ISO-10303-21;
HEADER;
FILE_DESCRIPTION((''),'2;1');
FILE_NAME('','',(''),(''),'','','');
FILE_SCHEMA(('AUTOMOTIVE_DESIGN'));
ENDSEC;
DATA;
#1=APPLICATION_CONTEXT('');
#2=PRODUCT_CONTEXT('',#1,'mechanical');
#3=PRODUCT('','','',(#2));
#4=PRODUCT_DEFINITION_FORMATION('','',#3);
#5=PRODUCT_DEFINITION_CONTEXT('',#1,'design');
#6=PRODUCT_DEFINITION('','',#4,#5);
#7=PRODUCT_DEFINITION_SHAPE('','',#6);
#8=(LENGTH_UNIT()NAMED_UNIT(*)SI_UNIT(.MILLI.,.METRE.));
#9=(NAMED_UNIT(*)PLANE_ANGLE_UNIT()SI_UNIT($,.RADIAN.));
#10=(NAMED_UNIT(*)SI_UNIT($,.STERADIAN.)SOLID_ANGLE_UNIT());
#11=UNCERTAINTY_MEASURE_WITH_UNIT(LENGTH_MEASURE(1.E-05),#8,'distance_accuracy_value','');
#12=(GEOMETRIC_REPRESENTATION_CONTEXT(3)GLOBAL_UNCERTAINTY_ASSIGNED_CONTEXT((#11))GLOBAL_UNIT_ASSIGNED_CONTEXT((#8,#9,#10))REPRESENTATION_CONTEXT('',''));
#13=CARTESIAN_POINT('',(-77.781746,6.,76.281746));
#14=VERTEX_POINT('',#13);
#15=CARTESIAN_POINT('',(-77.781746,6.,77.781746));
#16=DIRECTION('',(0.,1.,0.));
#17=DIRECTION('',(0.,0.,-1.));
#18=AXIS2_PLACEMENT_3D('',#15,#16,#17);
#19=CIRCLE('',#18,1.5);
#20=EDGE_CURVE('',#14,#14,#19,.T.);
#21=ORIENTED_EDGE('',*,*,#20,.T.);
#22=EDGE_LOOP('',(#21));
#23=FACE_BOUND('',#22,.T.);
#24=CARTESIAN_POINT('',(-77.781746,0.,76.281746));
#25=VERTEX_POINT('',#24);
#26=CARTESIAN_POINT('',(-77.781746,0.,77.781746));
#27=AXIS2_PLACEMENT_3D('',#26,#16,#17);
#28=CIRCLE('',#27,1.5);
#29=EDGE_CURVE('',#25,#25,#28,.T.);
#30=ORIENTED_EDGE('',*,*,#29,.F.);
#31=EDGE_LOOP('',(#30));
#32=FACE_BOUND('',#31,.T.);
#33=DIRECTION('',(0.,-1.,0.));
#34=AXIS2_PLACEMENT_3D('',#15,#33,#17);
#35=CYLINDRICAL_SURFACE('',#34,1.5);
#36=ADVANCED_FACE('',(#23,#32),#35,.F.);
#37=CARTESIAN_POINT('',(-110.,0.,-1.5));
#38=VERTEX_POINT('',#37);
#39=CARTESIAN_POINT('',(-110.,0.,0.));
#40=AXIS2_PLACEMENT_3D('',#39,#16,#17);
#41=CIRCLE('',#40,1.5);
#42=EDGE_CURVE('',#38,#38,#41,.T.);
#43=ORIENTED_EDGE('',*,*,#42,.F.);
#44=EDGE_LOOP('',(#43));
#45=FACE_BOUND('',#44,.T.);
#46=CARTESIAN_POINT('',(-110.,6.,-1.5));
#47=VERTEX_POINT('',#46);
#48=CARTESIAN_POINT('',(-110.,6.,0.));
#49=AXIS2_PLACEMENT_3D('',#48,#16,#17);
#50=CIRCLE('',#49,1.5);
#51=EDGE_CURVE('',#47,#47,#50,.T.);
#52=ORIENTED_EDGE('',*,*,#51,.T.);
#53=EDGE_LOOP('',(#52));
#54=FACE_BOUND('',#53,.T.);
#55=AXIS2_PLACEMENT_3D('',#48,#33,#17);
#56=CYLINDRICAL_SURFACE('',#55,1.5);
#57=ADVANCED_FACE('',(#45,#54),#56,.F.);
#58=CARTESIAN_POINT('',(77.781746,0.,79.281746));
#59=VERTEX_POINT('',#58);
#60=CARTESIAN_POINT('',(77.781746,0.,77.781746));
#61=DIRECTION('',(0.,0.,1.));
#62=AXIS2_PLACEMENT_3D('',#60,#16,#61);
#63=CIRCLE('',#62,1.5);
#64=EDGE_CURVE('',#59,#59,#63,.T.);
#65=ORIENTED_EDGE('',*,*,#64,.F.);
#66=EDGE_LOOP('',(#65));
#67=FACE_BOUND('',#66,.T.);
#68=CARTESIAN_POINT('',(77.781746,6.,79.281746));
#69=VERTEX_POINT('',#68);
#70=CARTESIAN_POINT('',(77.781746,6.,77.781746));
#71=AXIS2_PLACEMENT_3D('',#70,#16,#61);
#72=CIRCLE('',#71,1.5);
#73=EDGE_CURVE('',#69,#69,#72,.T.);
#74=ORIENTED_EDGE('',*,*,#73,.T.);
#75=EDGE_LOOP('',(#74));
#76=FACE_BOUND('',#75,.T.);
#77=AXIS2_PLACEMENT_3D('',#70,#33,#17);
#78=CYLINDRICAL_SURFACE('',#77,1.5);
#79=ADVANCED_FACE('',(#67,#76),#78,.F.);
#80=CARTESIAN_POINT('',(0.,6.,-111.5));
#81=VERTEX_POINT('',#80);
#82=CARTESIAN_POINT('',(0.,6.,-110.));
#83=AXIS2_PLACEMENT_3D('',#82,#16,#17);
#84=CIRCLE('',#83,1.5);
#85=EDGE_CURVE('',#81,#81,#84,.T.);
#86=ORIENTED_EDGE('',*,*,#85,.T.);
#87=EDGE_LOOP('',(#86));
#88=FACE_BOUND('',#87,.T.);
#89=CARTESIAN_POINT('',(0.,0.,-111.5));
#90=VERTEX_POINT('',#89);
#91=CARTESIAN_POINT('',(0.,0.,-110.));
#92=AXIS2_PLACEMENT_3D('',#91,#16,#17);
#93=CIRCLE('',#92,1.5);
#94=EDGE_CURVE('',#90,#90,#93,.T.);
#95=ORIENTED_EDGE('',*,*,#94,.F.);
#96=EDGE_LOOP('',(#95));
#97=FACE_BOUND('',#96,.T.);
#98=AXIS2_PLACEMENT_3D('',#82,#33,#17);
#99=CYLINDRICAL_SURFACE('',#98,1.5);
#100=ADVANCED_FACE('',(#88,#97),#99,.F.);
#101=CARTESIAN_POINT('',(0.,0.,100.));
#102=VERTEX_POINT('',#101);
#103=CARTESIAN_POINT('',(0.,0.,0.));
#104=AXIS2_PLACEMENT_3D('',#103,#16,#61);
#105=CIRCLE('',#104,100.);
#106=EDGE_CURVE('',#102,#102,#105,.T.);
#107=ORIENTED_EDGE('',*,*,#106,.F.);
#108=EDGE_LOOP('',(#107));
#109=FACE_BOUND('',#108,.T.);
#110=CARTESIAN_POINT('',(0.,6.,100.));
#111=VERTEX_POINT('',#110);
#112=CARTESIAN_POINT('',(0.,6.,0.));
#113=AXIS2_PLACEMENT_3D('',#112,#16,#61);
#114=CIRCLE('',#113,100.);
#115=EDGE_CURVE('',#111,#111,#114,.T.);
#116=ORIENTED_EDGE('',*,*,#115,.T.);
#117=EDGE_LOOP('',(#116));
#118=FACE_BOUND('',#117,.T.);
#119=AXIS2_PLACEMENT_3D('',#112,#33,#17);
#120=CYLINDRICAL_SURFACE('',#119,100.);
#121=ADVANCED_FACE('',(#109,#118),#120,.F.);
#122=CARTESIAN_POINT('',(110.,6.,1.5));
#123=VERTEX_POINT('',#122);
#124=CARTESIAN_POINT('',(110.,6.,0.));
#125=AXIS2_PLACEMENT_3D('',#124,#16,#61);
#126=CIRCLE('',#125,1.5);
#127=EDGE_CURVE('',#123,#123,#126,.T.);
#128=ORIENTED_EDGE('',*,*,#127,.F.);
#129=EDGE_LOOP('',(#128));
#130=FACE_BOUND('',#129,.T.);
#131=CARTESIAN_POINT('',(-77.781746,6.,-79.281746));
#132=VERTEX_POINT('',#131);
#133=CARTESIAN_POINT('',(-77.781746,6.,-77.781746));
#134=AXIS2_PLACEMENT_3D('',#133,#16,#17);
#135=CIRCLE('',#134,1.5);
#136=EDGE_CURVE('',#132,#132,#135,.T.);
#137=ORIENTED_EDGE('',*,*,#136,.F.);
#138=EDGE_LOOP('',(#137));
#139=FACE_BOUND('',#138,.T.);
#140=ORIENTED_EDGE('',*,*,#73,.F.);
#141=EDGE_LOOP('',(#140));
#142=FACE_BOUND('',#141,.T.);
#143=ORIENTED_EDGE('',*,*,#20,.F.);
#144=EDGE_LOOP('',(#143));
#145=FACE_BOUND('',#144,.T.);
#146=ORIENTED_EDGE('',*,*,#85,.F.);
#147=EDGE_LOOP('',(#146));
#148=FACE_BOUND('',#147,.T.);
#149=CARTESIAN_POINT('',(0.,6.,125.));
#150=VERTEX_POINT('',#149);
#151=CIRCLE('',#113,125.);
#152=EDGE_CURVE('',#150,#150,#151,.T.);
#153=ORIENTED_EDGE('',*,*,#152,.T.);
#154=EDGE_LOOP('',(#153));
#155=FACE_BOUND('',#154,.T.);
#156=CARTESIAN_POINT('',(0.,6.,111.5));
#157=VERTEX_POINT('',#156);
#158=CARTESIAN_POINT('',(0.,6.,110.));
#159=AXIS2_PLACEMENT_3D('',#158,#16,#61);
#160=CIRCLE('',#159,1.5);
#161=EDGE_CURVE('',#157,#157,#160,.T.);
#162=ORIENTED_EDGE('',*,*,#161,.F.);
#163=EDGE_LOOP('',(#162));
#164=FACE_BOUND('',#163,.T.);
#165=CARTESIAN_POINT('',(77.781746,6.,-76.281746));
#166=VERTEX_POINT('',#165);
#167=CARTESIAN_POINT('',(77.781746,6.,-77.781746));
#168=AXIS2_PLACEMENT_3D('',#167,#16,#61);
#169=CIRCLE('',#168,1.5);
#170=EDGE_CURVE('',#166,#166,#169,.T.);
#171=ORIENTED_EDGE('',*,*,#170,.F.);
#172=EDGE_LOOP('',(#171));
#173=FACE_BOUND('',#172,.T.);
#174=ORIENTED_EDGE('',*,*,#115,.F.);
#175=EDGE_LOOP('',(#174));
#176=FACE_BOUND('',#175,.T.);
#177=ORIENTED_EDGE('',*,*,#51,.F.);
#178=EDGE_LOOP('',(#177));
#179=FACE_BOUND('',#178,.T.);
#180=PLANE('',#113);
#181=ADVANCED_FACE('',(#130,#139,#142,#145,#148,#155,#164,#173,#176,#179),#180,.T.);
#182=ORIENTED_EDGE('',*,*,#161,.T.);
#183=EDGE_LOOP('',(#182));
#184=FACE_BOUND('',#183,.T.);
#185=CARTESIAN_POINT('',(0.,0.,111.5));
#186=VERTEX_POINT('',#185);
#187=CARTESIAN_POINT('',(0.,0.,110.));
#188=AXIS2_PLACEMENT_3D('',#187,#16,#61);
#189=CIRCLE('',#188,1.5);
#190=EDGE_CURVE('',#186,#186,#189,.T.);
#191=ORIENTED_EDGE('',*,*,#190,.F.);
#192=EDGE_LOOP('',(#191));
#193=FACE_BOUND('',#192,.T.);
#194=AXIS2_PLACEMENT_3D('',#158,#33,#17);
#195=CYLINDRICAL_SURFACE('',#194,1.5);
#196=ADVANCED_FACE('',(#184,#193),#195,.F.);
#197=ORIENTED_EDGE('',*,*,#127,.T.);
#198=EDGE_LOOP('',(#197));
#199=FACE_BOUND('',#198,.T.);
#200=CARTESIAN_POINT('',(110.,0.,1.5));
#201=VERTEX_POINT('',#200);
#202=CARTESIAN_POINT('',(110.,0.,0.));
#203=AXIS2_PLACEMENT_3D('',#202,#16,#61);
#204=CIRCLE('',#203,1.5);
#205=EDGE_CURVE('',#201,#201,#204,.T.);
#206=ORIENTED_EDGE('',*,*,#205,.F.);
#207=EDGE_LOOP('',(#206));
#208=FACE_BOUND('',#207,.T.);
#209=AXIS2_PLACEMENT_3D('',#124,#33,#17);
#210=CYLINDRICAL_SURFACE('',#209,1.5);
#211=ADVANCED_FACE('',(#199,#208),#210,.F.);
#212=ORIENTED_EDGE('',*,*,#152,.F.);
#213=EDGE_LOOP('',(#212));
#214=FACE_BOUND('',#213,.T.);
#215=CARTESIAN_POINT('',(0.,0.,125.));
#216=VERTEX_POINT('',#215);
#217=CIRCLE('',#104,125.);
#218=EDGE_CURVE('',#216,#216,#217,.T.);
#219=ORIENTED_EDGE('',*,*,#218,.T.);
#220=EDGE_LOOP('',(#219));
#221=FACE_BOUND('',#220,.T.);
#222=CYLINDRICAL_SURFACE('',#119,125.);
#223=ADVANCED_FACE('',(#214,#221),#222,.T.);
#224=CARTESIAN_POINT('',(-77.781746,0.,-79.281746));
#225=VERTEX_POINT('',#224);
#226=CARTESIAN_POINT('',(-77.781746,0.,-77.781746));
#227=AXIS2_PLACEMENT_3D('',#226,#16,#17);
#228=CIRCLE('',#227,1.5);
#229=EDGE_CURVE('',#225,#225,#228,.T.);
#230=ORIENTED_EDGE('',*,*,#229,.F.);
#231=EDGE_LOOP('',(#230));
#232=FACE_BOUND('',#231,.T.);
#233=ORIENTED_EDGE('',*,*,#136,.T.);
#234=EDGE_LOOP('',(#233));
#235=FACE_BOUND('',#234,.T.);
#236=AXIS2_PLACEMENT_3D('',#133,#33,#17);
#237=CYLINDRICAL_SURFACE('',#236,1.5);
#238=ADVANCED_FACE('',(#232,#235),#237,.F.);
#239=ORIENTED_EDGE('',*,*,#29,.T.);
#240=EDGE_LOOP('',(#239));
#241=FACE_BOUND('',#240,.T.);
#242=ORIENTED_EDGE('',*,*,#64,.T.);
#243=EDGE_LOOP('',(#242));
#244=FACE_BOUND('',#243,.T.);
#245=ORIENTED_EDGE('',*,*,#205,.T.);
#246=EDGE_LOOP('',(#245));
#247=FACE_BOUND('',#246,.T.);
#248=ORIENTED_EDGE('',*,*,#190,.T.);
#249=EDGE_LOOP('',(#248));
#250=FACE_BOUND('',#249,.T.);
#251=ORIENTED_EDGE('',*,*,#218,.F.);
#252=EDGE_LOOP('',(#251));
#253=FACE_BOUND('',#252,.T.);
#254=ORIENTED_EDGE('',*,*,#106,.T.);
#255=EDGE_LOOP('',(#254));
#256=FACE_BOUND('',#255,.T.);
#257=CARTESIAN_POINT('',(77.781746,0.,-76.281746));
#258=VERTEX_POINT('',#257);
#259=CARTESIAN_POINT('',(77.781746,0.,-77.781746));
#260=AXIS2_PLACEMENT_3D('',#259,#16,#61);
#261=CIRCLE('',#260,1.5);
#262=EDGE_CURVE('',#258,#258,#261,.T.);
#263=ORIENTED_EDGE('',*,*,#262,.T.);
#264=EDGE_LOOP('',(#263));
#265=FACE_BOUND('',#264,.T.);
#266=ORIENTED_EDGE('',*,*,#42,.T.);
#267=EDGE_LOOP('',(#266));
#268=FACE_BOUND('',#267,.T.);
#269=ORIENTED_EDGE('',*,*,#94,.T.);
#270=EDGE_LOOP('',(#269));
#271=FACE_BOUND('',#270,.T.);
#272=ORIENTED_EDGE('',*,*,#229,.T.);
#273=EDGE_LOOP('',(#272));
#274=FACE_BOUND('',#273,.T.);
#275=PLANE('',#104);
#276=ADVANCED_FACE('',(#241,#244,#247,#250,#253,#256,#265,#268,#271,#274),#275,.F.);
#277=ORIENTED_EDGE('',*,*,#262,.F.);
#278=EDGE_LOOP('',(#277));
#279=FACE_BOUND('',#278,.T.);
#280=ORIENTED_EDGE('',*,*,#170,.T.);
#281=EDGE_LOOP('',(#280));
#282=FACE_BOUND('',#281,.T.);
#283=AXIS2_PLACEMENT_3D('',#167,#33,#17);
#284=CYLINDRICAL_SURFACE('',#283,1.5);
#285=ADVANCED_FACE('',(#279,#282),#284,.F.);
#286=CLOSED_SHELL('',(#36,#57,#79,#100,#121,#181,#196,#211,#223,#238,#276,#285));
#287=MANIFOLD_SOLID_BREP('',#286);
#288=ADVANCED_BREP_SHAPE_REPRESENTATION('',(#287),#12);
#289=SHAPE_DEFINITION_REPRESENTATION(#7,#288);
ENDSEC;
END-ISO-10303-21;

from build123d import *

# Parameters (mm, degrees)
SKETCH1_R           = 125
SKETCH1_R_2         = 100
SKETCH1_R_3         = 1.5
BOSS_EXTRUDE1_DEPTH = 6


with BuildPart() as part:
    # Sketch1 → Boss-Extrude1 (new body)
    with BuildSketch(Plane(origin=(0, 0, 0), x_dir=(1, 0, 0), z_dir=(0, 1, 0))):
        Circle(SKETCH1_R)
        Circle(SKETCH1_R_2, mode=Mode.SUBTRACT)
        with Locations((0, -110)):
            Circle(SKETCH1_R_3, mode=Mode.SUBTRACT)
        with Locations((77.781745931, -77.781745931)):
            Circle(SKETCH1_R_3, mode=Mode.SUBTRACT)
        with Locations((110, 0)):
            Circle(SKETCH1_R_3, mode=Mode.SUBTRACT)
        with Locations((77.781745931, 77.781745931)):
            Circle(SKETCH1_R_3, mode=Mode.SUBTRACT)
        with Locations((0, 110)):
            Circle(SKETCH1_R_3, mode=Mode.SUBTRACT)
        with Locations((-77.781745931, 77.781745931)):
            Circle(SKETCH1_R_3, mode=Mode.SUBTRACT)
        with Locations((-110, 0)):
            Circle(SKETCH1_R_3, mode=Mode.SUBTRACT)
        with Locations((-77.781745931, -77.781745931)):
            Circle(SKETCH1_R_3, mode=Mode.SUBTRACT)
    extrude(amount=BOSS_EXTRUDE1_DEPTH)


solid = part.part
